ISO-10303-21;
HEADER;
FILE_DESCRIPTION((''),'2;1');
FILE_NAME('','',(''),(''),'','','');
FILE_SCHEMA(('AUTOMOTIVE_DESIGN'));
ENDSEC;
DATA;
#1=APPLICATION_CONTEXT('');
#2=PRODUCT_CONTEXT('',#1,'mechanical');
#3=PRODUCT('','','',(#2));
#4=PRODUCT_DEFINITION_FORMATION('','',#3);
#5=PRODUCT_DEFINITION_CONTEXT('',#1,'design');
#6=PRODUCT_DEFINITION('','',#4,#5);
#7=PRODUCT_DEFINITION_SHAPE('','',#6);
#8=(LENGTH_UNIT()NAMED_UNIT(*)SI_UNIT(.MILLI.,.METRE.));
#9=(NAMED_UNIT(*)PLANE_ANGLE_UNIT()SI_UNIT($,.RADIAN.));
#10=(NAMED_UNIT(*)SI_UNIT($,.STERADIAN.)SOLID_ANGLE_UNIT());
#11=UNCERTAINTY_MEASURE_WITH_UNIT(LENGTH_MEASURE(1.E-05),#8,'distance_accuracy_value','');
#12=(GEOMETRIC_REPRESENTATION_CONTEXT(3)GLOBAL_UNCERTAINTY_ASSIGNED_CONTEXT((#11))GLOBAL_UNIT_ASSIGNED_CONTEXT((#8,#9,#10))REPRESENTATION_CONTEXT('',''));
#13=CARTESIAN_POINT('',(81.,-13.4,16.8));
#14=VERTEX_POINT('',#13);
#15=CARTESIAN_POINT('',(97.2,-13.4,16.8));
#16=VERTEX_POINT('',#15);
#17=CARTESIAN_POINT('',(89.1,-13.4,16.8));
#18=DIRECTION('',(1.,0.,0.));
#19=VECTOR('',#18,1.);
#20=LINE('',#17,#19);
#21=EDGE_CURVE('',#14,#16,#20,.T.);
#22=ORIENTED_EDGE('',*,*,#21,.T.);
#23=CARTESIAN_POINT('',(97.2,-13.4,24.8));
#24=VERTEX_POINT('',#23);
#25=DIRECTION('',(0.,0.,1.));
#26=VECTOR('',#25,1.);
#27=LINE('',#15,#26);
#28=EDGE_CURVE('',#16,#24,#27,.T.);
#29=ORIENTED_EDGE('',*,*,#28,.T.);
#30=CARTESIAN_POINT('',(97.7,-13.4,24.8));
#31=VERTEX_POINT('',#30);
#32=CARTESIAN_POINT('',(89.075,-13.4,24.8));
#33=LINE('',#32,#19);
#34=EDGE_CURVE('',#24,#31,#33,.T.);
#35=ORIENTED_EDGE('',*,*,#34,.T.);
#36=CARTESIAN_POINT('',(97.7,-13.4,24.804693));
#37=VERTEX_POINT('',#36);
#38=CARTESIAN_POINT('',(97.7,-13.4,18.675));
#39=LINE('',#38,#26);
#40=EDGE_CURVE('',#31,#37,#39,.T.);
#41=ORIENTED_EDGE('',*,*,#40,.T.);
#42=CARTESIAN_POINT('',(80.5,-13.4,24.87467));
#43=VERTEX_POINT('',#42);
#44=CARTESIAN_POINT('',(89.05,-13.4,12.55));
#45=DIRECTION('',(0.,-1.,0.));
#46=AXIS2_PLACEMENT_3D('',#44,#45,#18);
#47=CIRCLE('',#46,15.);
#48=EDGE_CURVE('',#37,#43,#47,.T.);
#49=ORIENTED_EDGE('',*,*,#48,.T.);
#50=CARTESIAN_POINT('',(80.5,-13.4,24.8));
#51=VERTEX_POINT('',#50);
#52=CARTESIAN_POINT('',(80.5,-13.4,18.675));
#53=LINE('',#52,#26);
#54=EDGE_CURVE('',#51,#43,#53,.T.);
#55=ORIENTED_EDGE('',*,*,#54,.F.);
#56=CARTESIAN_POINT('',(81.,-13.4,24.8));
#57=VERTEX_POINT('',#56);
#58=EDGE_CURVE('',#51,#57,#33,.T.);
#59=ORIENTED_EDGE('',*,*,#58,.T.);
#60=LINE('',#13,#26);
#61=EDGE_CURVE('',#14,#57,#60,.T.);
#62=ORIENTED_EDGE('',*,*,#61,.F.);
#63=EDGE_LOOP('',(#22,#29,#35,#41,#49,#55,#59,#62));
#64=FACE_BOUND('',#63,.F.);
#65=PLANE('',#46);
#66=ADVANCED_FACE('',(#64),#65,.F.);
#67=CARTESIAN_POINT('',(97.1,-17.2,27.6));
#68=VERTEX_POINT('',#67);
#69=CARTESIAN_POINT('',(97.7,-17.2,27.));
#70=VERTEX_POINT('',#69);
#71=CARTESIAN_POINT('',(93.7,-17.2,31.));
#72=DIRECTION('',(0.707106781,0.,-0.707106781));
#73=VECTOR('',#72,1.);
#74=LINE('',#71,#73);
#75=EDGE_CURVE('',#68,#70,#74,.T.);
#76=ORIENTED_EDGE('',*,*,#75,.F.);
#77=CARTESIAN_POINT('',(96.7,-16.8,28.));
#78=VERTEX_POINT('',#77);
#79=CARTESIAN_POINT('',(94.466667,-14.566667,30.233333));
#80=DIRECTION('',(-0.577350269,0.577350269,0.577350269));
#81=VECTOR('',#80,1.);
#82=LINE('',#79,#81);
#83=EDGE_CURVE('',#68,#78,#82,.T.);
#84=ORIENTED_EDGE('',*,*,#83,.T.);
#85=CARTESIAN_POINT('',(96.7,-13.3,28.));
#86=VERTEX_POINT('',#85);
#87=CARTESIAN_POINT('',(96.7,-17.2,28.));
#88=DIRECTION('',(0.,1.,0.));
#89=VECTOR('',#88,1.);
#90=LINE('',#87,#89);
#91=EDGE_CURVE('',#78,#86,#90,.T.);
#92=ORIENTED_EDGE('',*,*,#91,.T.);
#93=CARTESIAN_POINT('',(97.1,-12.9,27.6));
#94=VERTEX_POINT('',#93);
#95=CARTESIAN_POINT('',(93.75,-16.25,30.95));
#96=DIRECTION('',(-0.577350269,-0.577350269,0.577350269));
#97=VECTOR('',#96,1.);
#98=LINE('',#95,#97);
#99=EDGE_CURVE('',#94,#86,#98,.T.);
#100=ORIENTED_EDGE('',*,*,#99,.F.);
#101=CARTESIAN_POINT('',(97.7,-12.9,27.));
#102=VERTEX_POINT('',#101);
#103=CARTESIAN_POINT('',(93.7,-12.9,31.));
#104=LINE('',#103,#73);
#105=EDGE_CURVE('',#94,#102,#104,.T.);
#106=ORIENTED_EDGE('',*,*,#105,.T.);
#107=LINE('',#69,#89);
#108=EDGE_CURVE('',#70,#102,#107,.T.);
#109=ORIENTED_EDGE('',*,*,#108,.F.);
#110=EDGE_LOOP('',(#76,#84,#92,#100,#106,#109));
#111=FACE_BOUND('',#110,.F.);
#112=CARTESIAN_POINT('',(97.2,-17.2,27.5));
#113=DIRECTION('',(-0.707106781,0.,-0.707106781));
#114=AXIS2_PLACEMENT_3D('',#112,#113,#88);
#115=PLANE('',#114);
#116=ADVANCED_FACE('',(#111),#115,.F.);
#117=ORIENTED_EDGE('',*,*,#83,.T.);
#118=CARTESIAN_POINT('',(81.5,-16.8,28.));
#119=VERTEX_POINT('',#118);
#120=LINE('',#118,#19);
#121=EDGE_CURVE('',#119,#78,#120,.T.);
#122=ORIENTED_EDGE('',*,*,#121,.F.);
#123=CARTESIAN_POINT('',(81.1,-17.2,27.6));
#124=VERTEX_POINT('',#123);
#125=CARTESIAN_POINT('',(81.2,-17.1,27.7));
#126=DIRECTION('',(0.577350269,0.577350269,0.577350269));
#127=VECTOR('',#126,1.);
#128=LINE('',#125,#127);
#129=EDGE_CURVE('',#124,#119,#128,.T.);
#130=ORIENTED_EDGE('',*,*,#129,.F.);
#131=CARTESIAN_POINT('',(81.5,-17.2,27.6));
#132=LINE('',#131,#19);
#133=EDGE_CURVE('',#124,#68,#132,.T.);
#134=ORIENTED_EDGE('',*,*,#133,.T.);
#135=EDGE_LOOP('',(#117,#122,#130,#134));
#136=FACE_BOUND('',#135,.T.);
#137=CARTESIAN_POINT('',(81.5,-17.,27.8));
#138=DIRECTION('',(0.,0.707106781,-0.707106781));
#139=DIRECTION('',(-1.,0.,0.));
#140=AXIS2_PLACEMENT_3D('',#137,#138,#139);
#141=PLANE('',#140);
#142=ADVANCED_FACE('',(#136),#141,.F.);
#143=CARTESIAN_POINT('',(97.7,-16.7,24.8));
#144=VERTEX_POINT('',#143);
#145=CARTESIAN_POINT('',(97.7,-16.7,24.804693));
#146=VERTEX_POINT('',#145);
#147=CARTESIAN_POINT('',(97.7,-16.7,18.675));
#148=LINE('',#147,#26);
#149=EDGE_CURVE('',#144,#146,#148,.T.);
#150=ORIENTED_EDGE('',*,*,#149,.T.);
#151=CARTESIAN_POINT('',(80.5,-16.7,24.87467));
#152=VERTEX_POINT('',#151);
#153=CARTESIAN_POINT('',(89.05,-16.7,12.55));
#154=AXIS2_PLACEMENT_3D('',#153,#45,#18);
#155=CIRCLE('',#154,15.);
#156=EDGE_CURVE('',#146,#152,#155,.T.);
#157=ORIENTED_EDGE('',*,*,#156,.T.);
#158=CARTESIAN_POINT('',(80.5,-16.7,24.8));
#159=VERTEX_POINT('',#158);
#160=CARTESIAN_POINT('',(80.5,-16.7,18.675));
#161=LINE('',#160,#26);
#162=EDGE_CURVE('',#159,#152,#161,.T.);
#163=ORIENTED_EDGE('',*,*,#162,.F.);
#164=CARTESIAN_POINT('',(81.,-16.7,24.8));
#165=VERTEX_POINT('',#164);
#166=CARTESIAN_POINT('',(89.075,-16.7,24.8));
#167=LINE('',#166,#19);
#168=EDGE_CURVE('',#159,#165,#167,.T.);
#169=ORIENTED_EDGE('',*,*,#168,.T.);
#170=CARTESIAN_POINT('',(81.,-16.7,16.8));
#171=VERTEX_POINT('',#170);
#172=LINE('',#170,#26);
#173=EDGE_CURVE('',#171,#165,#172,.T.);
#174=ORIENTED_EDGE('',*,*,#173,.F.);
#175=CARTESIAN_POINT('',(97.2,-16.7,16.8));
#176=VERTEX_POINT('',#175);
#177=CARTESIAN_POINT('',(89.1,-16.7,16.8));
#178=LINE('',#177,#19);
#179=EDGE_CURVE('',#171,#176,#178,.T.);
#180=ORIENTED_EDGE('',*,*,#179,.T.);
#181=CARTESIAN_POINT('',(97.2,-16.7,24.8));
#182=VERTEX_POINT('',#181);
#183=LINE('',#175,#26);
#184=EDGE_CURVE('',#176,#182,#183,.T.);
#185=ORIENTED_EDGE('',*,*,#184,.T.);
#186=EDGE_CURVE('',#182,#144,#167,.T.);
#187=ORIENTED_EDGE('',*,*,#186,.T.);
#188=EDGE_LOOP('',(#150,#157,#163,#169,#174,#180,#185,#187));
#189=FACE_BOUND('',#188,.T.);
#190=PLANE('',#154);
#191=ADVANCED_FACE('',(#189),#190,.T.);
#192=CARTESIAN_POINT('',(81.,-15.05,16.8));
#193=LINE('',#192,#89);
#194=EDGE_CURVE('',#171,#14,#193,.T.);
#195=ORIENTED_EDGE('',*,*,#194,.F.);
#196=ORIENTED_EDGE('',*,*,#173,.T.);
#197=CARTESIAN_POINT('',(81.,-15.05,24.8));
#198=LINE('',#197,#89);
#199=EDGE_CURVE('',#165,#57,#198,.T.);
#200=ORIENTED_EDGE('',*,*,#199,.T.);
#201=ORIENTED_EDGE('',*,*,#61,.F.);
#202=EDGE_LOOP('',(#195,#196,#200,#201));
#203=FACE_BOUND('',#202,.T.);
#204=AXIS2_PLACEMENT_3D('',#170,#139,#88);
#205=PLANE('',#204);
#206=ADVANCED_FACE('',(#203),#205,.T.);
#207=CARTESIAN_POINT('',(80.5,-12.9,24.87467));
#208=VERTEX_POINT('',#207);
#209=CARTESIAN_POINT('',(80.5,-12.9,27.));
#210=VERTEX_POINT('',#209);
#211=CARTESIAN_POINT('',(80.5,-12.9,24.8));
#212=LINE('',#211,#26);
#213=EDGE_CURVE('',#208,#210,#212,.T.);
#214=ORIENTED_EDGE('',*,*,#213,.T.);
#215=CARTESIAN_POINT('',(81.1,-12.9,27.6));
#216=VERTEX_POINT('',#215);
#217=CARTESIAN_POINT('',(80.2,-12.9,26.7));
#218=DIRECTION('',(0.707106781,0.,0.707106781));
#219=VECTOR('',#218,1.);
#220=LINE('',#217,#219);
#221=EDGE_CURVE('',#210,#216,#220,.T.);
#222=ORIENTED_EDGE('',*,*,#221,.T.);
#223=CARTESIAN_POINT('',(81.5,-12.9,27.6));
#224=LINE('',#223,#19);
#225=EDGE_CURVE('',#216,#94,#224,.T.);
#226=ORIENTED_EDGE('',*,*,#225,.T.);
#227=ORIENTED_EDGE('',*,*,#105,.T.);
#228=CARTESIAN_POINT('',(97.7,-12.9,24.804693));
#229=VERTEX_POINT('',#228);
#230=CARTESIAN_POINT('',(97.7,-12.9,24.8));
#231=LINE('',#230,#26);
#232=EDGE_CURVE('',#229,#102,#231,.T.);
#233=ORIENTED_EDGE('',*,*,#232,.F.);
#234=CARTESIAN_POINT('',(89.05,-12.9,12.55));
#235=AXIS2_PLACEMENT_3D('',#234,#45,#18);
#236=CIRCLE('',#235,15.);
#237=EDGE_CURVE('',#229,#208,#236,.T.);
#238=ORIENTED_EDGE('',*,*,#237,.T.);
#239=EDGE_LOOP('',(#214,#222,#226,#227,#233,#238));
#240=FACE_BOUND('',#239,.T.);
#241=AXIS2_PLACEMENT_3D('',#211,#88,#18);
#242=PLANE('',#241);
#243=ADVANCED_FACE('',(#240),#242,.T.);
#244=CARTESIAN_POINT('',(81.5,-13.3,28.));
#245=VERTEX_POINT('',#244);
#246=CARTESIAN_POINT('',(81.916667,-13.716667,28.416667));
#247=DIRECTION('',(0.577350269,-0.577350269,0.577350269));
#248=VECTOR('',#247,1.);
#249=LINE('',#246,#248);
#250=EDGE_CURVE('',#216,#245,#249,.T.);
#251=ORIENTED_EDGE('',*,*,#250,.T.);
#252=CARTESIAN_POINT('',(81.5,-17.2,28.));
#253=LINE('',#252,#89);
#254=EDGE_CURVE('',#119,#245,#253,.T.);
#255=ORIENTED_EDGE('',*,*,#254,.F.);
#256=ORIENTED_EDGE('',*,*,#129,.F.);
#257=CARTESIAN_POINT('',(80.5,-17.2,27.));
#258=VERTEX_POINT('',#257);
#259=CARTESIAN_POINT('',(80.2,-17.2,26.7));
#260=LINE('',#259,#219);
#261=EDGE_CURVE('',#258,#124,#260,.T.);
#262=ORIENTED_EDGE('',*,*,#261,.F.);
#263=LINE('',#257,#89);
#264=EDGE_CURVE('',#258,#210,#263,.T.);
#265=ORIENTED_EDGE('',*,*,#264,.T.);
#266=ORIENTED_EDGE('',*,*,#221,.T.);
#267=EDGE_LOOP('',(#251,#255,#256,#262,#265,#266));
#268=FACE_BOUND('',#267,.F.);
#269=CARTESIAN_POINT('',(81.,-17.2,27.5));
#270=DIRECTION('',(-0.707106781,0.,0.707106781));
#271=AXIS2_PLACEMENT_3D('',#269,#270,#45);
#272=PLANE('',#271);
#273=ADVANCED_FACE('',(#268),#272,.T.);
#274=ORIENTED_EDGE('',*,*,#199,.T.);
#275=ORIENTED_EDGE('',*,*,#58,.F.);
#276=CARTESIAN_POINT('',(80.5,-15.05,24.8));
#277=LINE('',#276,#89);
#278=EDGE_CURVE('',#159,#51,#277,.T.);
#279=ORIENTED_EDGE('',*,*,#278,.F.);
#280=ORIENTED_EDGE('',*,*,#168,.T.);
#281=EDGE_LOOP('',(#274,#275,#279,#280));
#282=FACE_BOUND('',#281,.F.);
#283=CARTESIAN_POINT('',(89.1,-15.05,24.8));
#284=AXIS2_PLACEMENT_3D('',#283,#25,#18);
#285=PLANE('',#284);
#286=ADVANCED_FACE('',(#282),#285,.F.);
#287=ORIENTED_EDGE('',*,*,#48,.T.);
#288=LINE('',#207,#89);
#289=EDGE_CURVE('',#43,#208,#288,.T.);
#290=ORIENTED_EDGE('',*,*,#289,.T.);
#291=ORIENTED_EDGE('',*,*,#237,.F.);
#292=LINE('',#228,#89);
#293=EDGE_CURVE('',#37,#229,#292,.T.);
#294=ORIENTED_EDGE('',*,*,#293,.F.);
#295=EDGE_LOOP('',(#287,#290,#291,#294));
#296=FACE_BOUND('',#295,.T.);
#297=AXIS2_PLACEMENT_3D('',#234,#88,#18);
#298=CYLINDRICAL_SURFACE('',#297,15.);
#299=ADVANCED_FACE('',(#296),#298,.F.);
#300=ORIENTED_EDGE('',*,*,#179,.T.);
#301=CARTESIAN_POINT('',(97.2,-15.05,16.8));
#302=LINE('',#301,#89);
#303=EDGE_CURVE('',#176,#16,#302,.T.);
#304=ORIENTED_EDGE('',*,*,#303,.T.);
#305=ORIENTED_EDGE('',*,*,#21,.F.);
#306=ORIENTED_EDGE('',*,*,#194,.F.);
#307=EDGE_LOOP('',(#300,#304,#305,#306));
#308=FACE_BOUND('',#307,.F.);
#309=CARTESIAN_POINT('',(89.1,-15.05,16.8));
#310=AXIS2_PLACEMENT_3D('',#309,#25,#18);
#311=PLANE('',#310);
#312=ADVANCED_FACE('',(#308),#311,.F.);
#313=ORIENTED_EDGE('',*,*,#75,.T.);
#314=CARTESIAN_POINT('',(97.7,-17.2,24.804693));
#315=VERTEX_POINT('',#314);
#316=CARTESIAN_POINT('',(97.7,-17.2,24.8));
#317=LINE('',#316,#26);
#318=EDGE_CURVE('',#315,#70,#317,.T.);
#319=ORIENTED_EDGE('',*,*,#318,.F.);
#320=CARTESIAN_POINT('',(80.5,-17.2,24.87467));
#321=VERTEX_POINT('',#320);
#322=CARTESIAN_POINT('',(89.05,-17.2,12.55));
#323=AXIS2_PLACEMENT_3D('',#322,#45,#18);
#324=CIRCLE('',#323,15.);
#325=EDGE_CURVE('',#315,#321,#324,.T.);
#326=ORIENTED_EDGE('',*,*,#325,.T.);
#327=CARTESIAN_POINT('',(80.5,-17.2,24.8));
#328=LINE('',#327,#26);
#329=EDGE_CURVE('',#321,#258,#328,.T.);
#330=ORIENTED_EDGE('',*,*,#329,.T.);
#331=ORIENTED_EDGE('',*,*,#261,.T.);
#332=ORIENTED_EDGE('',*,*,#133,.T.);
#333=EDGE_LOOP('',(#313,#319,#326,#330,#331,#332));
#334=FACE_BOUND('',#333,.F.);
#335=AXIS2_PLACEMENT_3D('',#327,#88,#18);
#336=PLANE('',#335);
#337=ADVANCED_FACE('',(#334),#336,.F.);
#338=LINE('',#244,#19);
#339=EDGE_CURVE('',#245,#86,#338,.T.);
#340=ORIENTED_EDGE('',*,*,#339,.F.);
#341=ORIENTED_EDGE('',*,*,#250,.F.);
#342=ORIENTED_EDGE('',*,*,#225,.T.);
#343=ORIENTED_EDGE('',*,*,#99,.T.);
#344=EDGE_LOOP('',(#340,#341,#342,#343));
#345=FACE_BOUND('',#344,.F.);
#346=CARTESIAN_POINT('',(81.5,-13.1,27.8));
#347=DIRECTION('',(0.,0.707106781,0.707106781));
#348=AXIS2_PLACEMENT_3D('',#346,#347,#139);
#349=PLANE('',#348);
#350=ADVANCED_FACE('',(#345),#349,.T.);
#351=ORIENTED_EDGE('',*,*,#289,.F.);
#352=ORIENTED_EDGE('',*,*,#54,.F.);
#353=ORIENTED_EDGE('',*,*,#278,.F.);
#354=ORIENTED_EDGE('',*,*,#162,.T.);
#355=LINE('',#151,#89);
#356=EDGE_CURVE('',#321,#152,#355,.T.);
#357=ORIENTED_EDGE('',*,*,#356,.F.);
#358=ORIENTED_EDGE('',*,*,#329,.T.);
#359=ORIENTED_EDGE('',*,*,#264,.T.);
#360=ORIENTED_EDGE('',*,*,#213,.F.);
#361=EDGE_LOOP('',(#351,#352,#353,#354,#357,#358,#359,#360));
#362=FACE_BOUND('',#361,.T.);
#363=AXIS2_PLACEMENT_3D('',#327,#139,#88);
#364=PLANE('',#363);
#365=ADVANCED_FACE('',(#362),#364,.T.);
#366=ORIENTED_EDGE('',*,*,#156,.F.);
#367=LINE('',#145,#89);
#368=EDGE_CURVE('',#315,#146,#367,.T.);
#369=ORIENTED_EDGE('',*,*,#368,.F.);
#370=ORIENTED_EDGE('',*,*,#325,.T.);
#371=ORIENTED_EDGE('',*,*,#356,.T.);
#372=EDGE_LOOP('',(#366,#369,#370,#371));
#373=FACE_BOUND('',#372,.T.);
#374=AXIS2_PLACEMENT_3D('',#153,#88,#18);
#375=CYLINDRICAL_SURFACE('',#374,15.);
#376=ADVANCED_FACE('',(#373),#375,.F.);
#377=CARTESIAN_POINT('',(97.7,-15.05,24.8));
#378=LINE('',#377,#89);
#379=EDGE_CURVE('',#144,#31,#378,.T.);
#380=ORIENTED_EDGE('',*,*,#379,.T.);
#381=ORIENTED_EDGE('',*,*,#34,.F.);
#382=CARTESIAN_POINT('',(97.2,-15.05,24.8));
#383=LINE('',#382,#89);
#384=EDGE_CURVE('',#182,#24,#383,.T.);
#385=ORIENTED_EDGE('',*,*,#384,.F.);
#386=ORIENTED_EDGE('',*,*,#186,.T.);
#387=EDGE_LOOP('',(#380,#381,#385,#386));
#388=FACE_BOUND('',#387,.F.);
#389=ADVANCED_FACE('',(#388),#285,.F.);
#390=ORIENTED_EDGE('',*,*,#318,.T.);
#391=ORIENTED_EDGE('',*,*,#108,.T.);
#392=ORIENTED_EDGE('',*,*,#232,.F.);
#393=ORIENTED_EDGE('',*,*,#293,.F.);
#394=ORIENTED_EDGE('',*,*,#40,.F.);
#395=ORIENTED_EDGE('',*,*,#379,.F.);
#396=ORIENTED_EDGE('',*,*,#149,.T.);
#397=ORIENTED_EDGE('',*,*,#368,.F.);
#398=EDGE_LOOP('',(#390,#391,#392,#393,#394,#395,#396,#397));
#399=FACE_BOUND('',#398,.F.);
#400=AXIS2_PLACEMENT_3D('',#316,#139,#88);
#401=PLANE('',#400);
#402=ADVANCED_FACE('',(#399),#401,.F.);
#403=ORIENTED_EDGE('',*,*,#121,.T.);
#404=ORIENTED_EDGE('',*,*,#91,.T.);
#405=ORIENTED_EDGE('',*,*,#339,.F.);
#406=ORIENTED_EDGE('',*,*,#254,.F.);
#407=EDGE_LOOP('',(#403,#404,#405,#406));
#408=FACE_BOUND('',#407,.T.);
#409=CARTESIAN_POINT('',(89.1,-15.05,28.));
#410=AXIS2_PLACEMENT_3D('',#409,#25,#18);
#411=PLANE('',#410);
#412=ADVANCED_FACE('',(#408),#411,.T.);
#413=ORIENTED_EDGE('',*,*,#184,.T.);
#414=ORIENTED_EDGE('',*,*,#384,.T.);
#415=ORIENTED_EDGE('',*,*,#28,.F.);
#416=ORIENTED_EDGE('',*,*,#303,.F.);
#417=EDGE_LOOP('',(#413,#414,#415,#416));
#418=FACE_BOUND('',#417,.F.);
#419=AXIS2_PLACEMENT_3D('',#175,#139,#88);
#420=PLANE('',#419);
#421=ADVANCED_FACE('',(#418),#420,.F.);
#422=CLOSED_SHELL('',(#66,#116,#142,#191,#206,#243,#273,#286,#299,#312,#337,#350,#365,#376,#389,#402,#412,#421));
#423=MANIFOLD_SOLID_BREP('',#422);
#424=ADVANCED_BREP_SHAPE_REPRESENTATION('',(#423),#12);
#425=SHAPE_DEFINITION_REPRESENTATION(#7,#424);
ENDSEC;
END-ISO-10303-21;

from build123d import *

# Parameters (mm, degrees)
SKETCH009_R         = 15
EXTRUDE003006_DEPTH = 0.5
SKETCH008_R         = 15
EXTRUDE003005_DEPTH = 0.5
BOX021_W            = 17.2
BOX021_H            = 4.3
BOX021_DEPTH        = 3.2
BOX020_W            = 16.2
BOX020_H            = 3.3
BOX020_DEPTH        = 8
CHAMFER002_SIZE     = 1
CHAMFER003_SIZE     = 0.4


with BuildPart() as extrude003006:
    # Sketch009 → Extrude003006 (new body)
    with BuildSketch(Plane.XZ):
        with Locations((89, 10.4)):
            Circle(SKETCH009_R)
    extrude(amount=EXTRUDE003006_DEPTH)


with BuildPart() as extrude003006_1:
    # Extrude003006 placement: moved
    add(extrude003006.part.moved(Location((0.05, -23.2, 0.15))))


with BuildPart() as extrude003005:
    # Sketch008 → Extrude003005 (new body)
    with BuildSketch(Plane.XZ):
        with Locations((89, 10.4)):
            Circle(SKETCH008_R)
    extrude(amount=EXTRUDE003005_DEPTH)


with BuildPart() as extrude003005_1:
    # Extrude003005 placement: moved
    add(extrude003005.part.moved(Location((0.05, -27, 0.15))))


with BuildPart() as tapa_puerta005:
    # Box021 → Box021 (new body)
    with BuildSketch(Plane(origin=(80.5, -27.5, 22.8), x_dir=(1, 0, 0), z_dir=(0, 0, 1))):
        with Locations((8.6, 2.15)):
            Rectangle(BOX021_W, BOX021_H)
    extrude(amount=BOX021_DEPTH)


with BuildPart() as tapa_pared:
    # Box020 → Box020 (new body)
    with BuildSketch(Plane(origin=(81, -27, 14.8), x_dir=(1, 0, 0), z_dir=(0, 0, 1))):
        with Locations((8.1, 1.65)):
            Rectangle(BOX020_W, BOX020_H)
    extrude(amount=BOX020_DEPTH)

    # Fusion009: union tapa_puerta005
    add(tapa_puerta005.part)

    # Cut005014017: cut Extrude003005
    add(extrude003005_1.part, mode=Mode.SUBTRACT)

    # Cut005014018: cut Extrude003006
    add(extrude003006_1.part, mode=Mode.SUBTRACT)

    # Chamfer002
    chamfer002_edges = [tapa_pared.edges().sort_by_distance(p)[0] for p in [
        (80.5, -25.35, 26),
        (97.7, -25.35, 26),
    ]]
    chamfer(chamfer002_edges, length=CHAMFER002_SIZE)

    # Chamfer003
    chamfer003_edges = [tapa_pared.edges().sort_by_distance(p)[0] for p in [
        (89.1, -27.5, 26),
        (89.1, -23.2, 26),
    ]]
    chamfer(chamfer003_edges, length=CHAMFER003_SIZE)


with BuildPart() as tapa_pared_1:
    # Chamfer003 placement: moved
    add(tapa_pared.part.moved(Location((0, 10.3, 2))))


solid = tapa_pared_1.part
